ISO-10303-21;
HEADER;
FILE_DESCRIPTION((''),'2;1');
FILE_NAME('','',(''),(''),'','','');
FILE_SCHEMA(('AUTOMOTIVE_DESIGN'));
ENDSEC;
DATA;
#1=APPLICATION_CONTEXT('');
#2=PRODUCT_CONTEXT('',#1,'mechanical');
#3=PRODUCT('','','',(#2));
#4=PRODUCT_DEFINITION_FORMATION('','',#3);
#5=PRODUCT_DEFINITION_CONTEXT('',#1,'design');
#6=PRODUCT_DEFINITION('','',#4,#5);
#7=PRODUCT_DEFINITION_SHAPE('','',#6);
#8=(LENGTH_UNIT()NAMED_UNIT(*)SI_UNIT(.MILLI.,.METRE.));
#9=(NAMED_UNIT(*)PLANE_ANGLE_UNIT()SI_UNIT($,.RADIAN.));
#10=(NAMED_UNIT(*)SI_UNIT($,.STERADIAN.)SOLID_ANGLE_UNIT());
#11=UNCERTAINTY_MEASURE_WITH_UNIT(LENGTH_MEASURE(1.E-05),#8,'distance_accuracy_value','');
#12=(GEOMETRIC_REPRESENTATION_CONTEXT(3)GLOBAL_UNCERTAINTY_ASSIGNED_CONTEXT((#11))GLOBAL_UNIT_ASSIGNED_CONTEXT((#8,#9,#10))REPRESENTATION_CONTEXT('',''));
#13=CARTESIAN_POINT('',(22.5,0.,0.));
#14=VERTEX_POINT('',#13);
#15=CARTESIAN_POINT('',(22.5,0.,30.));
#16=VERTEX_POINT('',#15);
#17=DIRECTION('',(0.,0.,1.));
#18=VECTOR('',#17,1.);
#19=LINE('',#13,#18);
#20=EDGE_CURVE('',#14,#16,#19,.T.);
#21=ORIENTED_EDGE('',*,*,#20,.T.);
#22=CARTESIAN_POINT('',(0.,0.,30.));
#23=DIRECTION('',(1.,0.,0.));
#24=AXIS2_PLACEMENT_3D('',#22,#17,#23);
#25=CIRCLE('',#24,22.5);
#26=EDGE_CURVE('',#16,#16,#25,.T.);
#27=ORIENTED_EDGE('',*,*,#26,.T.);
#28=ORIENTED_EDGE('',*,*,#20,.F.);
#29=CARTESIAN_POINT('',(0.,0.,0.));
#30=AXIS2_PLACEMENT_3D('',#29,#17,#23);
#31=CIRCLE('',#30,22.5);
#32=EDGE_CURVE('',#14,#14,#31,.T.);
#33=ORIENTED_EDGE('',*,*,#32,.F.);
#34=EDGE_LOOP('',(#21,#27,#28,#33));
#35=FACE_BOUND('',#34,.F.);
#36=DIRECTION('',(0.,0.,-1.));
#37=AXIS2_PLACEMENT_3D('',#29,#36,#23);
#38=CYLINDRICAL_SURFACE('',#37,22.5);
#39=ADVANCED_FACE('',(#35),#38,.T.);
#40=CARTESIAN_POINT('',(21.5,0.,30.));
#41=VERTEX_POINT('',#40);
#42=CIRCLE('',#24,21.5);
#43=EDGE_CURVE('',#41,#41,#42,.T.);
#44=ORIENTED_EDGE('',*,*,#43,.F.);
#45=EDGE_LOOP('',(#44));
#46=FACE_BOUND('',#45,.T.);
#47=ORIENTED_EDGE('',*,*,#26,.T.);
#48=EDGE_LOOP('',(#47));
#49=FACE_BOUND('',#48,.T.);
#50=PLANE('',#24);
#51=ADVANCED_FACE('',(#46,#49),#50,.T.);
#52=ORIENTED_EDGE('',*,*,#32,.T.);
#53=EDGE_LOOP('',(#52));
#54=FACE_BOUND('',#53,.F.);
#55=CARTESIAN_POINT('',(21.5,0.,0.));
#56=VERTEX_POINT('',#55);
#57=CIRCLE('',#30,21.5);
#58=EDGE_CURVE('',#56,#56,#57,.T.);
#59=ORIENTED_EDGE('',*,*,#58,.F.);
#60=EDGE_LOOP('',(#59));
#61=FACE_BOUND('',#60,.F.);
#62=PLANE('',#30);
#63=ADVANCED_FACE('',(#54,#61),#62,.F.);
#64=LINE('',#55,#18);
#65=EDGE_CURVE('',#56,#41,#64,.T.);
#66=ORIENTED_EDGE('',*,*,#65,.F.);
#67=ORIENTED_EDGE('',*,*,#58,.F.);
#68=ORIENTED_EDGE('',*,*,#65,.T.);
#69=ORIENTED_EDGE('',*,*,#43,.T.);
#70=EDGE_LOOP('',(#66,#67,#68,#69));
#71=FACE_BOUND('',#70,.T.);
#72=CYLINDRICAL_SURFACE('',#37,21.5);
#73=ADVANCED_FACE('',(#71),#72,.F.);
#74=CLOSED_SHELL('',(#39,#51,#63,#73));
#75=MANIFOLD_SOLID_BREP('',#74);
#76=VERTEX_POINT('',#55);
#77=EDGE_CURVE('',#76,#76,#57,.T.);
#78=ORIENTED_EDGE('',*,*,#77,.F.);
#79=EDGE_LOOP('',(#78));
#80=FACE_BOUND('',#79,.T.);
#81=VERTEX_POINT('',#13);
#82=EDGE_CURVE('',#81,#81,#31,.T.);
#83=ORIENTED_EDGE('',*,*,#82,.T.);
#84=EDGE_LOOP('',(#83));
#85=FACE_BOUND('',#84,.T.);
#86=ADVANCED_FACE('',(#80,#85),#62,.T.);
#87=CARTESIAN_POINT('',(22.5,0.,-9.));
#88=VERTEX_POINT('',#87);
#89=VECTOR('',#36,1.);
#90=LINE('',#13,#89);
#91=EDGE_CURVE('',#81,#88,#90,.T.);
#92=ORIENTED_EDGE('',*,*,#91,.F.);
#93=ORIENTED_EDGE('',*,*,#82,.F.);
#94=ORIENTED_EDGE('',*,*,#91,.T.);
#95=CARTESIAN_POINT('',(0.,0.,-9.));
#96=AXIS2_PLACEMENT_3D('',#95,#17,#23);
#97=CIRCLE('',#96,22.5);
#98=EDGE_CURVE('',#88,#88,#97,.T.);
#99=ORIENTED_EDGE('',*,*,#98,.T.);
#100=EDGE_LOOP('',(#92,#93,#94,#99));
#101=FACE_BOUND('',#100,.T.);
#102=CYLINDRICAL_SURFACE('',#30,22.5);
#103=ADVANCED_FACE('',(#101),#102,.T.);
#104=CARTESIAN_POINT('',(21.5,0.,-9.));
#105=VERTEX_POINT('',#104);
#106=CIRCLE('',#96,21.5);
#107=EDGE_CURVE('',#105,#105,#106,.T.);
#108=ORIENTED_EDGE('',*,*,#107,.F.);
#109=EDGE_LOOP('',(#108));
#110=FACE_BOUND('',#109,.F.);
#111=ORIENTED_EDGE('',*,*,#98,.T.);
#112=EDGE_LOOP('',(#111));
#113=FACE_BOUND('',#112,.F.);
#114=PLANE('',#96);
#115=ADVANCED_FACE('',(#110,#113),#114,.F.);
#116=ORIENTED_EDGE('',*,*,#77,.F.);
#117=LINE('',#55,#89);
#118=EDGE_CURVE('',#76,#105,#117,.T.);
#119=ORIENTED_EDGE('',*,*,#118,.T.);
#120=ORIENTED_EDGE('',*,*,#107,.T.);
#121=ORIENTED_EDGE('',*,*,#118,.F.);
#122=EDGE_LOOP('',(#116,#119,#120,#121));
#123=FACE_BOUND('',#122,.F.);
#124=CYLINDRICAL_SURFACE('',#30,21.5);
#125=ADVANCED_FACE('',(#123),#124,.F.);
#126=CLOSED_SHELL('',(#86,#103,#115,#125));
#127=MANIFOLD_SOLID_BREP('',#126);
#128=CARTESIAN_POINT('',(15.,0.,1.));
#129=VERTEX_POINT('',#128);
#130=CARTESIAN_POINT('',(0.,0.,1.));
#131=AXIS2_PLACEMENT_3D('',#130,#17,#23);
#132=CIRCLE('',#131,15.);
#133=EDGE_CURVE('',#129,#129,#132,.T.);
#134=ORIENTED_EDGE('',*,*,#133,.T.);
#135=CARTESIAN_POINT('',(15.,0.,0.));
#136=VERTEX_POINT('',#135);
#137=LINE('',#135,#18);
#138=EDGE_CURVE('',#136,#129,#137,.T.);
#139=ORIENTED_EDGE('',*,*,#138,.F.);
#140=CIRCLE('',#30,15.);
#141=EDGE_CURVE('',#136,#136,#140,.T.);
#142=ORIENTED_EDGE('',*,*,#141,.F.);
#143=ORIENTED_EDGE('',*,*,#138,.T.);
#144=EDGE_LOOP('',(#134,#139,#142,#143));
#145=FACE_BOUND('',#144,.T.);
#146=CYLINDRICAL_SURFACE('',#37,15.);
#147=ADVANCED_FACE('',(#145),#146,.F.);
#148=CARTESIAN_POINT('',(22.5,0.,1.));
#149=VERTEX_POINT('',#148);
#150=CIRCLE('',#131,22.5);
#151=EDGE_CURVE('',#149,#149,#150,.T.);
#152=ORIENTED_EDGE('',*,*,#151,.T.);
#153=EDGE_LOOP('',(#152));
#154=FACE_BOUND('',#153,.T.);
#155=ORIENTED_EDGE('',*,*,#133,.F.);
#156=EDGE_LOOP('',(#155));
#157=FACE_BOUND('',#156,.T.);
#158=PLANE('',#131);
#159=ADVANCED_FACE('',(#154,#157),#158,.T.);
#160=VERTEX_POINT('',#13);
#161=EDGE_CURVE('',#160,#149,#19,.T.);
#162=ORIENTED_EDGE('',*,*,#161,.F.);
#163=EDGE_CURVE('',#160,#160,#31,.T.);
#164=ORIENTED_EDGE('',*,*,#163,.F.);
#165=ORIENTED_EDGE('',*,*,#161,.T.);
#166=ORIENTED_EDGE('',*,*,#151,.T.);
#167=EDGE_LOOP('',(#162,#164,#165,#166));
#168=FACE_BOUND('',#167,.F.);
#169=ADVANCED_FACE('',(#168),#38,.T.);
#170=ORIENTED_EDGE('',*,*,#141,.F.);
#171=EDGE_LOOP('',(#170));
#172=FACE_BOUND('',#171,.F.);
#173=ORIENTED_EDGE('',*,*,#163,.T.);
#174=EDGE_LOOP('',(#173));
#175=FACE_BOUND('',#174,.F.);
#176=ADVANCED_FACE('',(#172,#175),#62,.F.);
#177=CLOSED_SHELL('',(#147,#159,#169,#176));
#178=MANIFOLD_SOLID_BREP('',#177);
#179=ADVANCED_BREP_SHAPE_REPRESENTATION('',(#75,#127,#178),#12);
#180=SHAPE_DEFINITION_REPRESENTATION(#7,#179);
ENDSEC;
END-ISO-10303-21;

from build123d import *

# Parameters (mm, degrees)
F0_R     = 22.5
F0_R_2   = 21.5
F1_DEPTH = 9
F0_R_3   = 15
F2_DEPTH = 1
F3_DEPTH = 30


with BuildPart() as f1:
    # F0 (on Top) → F1 (new body)
    with BuildSketch(Plane.XY):
        Circle(F0_R)
        Circle(F0_R_2, mode=Mode.SUBTRACT)
    extrude(amount=-F1_DEPTH)


with BuildPart() as f2:
    # F0 (on Top) → F2 (new body)
    with BuildSketch(Plane.XY):
        Circle(F0_R)
        Circle(F0_R_2, mode=Mode.SUBTRACT)
        Circle(F0_R_2)
        Circle(F0_R_3, mode=Mode.SUBTRACT)
    extrude(amount=F2_DEPTH)


with BuildPart() as f3:
    # F0 (on Top) → F3 (new body)
    with BuildSketch(Plane.XY):
        Circle(F0_R)
        Circle(F0_R_2, mode=Mode.SUBTRACT)
    extrude(amount=F3_DEPTH)


solid = Compound([f1.part, f2.part, f3.part])
